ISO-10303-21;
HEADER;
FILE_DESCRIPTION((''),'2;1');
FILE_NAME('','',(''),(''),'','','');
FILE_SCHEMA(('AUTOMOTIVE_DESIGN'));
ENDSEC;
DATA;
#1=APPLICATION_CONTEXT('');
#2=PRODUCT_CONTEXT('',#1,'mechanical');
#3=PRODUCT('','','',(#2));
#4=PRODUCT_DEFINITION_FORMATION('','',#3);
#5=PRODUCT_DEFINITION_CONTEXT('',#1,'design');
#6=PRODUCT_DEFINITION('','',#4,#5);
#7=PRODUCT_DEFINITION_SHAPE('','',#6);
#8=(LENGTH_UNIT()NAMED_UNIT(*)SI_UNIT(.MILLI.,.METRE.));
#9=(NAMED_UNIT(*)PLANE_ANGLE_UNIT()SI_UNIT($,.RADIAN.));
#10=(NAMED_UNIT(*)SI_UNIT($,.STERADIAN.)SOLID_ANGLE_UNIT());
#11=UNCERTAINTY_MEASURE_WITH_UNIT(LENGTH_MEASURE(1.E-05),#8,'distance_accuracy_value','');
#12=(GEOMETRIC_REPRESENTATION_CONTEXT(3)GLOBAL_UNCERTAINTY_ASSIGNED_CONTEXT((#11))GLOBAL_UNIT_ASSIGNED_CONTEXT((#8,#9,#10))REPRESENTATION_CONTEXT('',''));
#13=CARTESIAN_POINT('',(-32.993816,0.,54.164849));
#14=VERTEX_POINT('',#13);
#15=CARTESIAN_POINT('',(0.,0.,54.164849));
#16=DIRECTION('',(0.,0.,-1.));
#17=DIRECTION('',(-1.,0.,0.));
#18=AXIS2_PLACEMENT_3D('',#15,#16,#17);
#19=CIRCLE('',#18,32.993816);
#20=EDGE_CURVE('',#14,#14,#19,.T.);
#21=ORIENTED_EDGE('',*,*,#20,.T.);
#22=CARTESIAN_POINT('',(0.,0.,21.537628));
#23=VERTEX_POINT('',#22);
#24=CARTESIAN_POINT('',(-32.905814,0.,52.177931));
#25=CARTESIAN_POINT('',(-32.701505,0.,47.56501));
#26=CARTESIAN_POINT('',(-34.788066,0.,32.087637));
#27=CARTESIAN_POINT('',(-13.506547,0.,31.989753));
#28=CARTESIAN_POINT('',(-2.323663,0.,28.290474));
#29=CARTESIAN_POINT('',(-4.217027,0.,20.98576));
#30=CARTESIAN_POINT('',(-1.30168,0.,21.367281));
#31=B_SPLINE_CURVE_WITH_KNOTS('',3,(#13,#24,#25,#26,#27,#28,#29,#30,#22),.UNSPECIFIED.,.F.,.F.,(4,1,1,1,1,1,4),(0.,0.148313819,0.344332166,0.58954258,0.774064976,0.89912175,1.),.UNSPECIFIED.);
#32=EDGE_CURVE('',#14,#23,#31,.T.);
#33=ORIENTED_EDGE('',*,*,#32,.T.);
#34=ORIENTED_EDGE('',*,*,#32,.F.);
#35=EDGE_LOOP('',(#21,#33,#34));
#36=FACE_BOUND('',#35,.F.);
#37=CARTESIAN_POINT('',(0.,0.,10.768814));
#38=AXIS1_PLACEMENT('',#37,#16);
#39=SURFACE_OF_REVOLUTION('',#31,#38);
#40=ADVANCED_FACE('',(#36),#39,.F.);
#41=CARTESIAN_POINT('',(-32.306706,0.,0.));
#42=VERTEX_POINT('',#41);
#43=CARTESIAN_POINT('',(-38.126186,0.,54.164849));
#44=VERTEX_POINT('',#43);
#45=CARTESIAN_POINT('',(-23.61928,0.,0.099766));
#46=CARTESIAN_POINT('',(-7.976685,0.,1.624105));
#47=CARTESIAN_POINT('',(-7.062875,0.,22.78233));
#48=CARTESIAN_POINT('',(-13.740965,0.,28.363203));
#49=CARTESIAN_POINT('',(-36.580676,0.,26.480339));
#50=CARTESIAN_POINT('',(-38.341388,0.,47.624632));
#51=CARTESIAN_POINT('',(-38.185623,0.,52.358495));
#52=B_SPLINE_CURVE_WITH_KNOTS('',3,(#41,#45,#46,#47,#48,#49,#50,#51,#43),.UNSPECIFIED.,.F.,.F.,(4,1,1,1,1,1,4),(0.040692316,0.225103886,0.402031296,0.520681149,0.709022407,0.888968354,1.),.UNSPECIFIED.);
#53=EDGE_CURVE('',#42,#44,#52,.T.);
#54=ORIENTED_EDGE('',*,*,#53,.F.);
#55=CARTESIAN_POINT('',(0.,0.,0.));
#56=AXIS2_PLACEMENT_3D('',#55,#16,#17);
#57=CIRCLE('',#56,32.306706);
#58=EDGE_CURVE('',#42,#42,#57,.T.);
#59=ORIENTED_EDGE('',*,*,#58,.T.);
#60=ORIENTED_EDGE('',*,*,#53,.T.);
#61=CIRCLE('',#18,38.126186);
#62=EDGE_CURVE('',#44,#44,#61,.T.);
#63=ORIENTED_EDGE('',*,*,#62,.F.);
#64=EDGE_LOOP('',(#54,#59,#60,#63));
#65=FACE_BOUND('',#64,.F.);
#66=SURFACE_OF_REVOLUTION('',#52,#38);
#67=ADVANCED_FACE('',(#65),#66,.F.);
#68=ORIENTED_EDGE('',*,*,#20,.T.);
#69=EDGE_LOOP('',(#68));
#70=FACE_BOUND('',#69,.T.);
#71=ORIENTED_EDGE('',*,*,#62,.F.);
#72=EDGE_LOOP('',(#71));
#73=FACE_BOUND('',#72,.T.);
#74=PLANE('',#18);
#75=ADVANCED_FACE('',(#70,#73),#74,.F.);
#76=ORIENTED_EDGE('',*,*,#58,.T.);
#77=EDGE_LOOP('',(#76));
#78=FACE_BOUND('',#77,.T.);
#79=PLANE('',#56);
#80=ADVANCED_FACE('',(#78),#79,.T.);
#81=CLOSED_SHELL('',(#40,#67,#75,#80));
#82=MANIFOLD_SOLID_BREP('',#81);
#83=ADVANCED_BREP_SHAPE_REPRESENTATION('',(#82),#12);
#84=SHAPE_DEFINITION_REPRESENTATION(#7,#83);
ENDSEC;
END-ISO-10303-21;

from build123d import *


with BuildPart() as f1:
    # F0 (on Front) → F1 (revolve)
    with BuildSketch(Plane.XZ):
        with BuildLine():
            Line((-32.3067057545, 0), (0, 0))
            Line((0, 0), (0, 21.5376280248))
            add(Edge.make_bspline(
                [(-32.9938158393, 54.1648492217), (-32.9058140445, 52.177930699), (-32.7015050404, 47.565009502), (-34.7880656141, 32.0876368832), (-13.5065474414, 31.9897532887), (-2.3236630331, 28.2904742053), (-4.2170272655, 20.9857596595), (-1.3016800865, 21.3672814711), (0, 21.5376280248)],
                knots=[0, 0, 0, 0, 0.1483138188, 0.344332166, 0.5895425797, 0.774064976, 0.89912175, 1, 1, 1, 1], degree=3))
            Line((-32.9938158393, 54.1648492217), (-38.1261855364, 54.1648492217))
            add(Edge.make_bspline(
                [(-32.3067057545, 0), (-23.6192804207, 0.0997662986), (-7.9766845214, 1.6241047561), (-7.0628749595, 22.7823298901), (-13.7409646722, 28.3632029302), (-36.5806763909, 26.4803385178), (-38.3413883803, 47.6246316227), (-38.1856227923, 52.3584949003), (-38.1261855364, 54.1648492217)],
                knots=[0.0406923163, 0.0406923163, 0.0406923163, 0.0406923163, 0.2251038864, 0.4020312964, 0.5206811489, 0.7090224067, 0.8889683537, 1, 1, 1, 1], degree=3))
        make_face()
    revolve(axis=Axis((0, 0, 10.7688140124), (0, 0, -1)))


solid = f1.part
